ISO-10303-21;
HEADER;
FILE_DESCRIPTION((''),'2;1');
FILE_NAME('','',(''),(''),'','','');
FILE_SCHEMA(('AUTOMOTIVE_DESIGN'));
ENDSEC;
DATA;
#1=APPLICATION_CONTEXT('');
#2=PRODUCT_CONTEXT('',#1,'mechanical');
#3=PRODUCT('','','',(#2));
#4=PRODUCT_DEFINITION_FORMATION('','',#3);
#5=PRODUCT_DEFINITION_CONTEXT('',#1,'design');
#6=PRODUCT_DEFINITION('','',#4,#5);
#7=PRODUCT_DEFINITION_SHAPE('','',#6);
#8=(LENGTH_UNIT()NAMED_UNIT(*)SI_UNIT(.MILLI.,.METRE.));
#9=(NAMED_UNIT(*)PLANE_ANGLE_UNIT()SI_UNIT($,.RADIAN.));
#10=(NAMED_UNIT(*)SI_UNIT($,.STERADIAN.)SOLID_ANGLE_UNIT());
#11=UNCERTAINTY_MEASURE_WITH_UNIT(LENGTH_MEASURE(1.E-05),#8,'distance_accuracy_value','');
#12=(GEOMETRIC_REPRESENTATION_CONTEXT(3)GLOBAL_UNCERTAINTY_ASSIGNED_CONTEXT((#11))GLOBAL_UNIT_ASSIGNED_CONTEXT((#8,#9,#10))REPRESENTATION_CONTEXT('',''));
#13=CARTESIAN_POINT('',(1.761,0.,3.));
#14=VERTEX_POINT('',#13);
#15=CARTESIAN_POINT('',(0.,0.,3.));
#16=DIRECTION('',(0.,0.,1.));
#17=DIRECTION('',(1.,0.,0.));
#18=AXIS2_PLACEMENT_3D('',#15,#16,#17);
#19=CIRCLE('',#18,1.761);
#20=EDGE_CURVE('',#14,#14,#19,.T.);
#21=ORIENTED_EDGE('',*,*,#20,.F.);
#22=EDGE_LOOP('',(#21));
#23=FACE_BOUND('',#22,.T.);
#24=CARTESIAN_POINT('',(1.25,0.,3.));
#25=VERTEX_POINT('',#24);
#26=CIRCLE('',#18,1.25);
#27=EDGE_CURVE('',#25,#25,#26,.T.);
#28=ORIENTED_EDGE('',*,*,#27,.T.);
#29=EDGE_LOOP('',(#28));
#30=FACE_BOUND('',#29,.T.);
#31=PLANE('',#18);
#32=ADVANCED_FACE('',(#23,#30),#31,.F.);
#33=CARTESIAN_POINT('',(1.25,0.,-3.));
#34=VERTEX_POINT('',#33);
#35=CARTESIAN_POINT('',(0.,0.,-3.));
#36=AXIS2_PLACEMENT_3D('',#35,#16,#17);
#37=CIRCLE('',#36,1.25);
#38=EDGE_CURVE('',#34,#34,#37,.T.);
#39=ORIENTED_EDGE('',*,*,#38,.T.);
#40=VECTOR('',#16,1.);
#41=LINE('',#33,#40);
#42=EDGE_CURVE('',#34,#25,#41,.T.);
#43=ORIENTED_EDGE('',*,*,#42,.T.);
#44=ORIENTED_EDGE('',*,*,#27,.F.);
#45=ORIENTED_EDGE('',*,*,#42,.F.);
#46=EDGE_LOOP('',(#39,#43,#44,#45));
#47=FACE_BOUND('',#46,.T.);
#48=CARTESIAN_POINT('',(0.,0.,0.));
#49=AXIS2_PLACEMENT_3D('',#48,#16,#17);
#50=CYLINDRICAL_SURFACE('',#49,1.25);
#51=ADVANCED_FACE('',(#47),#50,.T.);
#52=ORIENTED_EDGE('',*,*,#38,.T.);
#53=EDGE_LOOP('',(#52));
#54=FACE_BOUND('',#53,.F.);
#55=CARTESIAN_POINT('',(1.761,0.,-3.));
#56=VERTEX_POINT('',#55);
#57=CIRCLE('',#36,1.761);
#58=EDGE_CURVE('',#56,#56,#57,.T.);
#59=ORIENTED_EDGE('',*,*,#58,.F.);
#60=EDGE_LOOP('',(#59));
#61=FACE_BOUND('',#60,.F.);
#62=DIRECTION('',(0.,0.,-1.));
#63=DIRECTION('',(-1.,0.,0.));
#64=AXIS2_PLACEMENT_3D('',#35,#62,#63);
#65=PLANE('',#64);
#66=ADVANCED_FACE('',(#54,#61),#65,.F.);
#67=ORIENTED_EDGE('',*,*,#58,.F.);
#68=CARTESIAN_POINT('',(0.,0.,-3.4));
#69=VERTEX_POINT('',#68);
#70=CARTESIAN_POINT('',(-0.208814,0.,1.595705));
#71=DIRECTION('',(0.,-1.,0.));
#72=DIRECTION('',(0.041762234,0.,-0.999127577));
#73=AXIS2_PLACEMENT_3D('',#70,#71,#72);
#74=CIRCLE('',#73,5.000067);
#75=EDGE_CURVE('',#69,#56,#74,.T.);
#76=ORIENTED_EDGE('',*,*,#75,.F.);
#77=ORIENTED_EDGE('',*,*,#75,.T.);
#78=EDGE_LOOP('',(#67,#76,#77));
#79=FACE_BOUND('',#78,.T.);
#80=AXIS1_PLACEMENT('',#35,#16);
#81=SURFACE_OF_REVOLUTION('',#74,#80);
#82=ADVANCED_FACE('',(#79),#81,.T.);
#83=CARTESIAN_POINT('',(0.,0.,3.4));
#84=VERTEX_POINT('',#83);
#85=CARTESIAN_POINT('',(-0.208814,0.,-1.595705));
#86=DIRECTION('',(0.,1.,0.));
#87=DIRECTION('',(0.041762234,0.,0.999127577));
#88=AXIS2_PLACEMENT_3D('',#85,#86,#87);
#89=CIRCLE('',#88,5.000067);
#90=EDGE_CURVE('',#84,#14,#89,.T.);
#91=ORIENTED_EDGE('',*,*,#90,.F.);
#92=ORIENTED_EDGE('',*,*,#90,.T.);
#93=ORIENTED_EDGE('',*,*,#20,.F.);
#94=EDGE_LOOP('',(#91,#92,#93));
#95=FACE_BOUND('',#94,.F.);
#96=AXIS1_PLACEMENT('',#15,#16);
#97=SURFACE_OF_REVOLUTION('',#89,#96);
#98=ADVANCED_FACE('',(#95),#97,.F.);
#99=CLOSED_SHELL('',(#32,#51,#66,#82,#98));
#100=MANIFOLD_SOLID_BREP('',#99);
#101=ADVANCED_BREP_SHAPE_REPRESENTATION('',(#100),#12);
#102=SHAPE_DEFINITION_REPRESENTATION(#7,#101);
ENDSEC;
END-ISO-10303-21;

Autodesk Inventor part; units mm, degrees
ref_plane "YZ Plane" through (0, 0, 0) normal (1, 0, 0) x (0, 1, 0)
ref_plane "XZ Plane" through (0, 0, 0) normal (0, 1, 0) x (-1, 0, 0)
ref_plane "XY Plane" through (0, 0, 0) normal (0, 0, 1) x (1, 0, 0)
sketch "Sketch2" plane through (0, 0, 0) normal (0, 0, 1) x (1, 0, 0)
  circle A0 centre (0, 0) radius 1.25
  dimension "d44" = 2.5
extrude "Extrusion8" add sketch "Sketch2" along normal mid plane 6
sketch "Sketch3" plane through (0, 0, 3) normal (0, 0, 1) x (1, 0, 0)
  circle A0 centre (0, 0) radius 1.75
  dimension "d47" = 3.5
sketch "Sketch4" plane through (0, 0, 0) normal (0, 1, 0) x (-1, 0, 0)
  line L0 (1.25, 3) -> (-1.25, 3) projected
  line L1 (0, 3) -> (0, 3.4)
  arc A0 (0, 3.4) -> (-1.761, 3) centre (0.2088, -1.5956) ccw
  line L2 (0, 3) -> (-1.761, 3)
  point P0 (0, 0)
  dimension "d48" = 0.4
  dimension "d49" = 5
revolve "Revolution1" add sketch "Sketch4" angle 360 about axis through (0, 0, 3) along (0, 0, 1)
mirror "Mirror1" about plane through (0, 0, 0) normal (0, 0, 1) of "Revolution1"
properties part number "link7" material "Aluminum 6061"
